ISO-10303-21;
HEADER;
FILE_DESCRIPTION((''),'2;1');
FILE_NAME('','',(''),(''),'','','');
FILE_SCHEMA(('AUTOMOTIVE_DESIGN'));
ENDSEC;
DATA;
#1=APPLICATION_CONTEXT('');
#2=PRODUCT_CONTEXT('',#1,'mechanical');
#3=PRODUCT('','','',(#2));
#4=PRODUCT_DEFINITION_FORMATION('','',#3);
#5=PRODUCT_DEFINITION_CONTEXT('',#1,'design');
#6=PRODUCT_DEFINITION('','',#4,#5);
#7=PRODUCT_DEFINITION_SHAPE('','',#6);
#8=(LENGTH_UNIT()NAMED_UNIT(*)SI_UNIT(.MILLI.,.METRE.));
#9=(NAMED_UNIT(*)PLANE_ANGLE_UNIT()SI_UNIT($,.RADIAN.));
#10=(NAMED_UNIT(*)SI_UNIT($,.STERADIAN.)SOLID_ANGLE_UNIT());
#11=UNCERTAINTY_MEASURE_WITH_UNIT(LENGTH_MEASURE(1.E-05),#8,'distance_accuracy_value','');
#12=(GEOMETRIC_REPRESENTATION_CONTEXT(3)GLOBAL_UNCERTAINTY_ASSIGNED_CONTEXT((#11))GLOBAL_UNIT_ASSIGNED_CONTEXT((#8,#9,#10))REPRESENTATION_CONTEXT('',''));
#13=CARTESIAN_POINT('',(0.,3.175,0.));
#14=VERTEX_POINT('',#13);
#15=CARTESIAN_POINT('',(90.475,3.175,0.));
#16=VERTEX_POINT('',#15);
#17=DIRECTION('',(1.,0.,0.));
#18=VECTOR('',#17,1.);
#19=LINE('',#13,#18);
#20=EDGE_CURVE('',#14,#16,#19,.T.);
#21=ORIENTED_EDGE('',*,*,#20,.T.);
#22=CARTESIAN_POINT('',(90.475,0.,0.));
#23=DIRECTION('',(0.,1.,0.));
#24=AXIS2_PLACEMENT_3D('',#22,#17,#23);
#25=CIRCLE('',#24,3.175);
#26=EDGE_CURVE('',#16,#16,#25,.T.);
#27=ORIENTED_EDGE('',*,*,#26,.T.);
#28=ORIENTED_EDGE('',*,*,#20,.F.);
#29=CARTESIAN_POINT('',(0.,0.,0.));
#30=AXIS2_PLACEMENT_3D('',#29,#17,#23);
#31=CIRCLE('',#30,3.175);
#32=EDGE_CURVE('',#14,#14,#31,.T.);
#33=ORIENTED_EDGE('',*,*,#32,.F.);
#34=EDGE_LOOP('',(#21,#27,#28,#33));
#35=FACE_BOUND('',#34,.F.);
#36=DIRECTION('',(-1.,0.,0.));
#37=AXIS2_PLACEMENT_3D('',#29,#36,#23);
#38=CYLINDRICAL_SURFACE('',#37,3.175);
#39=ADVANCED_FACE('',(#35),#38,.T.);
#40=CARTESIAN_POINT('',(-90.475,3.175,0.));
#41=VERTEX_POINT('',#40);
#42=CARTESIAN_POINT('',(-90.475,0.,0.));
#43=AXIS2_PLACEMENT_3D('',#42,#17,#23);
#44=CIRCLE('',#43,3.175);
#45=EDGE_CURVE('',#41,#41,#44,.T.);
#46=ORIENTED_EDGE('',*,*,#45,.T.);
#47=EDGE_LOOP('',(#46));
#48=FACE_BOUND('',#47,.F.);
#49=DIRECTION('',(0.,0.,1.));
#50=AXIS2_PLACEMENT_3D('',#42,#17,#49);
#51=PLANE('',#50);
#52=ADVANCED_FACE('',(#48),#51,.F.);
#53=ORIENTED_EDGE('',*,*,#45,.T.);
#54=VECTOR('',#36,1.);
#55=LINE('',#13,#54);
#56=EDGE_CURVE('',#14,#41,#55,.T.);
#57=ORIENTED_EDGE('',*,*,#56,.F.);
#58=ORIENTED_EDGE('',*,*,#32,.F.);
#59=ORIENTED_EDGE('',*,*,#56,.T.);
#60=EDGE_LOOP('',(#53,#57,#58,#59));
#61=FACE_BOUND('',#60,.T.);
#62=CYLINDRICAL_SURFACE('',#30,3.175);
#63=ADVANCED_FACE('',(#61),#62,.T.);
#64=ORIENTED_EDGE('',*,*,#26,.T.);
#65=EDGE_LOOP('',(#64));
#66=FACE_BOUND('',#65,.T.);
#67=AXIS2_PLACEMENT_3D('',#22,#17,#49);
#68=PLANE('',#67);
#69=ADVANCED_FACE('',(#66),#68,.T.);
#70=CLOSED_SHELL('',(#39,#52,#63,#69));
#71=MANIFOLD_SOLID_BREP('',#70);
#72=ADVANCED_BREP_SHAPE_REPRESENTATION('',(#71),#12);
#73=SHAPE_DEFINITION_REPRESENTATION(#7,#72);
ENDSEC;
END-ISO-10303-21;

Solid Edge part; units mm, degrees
sketch "Sketch1" plane through (0, 0, 0) normal (1, 0, 0) x (0, 1, 0)
  circle A0 centre (0, 0) radius 3.175
extrude "Protrusion1" add sketch "Sketch1" along normal mid plane 180.95
properties material "Wood, Pine"
